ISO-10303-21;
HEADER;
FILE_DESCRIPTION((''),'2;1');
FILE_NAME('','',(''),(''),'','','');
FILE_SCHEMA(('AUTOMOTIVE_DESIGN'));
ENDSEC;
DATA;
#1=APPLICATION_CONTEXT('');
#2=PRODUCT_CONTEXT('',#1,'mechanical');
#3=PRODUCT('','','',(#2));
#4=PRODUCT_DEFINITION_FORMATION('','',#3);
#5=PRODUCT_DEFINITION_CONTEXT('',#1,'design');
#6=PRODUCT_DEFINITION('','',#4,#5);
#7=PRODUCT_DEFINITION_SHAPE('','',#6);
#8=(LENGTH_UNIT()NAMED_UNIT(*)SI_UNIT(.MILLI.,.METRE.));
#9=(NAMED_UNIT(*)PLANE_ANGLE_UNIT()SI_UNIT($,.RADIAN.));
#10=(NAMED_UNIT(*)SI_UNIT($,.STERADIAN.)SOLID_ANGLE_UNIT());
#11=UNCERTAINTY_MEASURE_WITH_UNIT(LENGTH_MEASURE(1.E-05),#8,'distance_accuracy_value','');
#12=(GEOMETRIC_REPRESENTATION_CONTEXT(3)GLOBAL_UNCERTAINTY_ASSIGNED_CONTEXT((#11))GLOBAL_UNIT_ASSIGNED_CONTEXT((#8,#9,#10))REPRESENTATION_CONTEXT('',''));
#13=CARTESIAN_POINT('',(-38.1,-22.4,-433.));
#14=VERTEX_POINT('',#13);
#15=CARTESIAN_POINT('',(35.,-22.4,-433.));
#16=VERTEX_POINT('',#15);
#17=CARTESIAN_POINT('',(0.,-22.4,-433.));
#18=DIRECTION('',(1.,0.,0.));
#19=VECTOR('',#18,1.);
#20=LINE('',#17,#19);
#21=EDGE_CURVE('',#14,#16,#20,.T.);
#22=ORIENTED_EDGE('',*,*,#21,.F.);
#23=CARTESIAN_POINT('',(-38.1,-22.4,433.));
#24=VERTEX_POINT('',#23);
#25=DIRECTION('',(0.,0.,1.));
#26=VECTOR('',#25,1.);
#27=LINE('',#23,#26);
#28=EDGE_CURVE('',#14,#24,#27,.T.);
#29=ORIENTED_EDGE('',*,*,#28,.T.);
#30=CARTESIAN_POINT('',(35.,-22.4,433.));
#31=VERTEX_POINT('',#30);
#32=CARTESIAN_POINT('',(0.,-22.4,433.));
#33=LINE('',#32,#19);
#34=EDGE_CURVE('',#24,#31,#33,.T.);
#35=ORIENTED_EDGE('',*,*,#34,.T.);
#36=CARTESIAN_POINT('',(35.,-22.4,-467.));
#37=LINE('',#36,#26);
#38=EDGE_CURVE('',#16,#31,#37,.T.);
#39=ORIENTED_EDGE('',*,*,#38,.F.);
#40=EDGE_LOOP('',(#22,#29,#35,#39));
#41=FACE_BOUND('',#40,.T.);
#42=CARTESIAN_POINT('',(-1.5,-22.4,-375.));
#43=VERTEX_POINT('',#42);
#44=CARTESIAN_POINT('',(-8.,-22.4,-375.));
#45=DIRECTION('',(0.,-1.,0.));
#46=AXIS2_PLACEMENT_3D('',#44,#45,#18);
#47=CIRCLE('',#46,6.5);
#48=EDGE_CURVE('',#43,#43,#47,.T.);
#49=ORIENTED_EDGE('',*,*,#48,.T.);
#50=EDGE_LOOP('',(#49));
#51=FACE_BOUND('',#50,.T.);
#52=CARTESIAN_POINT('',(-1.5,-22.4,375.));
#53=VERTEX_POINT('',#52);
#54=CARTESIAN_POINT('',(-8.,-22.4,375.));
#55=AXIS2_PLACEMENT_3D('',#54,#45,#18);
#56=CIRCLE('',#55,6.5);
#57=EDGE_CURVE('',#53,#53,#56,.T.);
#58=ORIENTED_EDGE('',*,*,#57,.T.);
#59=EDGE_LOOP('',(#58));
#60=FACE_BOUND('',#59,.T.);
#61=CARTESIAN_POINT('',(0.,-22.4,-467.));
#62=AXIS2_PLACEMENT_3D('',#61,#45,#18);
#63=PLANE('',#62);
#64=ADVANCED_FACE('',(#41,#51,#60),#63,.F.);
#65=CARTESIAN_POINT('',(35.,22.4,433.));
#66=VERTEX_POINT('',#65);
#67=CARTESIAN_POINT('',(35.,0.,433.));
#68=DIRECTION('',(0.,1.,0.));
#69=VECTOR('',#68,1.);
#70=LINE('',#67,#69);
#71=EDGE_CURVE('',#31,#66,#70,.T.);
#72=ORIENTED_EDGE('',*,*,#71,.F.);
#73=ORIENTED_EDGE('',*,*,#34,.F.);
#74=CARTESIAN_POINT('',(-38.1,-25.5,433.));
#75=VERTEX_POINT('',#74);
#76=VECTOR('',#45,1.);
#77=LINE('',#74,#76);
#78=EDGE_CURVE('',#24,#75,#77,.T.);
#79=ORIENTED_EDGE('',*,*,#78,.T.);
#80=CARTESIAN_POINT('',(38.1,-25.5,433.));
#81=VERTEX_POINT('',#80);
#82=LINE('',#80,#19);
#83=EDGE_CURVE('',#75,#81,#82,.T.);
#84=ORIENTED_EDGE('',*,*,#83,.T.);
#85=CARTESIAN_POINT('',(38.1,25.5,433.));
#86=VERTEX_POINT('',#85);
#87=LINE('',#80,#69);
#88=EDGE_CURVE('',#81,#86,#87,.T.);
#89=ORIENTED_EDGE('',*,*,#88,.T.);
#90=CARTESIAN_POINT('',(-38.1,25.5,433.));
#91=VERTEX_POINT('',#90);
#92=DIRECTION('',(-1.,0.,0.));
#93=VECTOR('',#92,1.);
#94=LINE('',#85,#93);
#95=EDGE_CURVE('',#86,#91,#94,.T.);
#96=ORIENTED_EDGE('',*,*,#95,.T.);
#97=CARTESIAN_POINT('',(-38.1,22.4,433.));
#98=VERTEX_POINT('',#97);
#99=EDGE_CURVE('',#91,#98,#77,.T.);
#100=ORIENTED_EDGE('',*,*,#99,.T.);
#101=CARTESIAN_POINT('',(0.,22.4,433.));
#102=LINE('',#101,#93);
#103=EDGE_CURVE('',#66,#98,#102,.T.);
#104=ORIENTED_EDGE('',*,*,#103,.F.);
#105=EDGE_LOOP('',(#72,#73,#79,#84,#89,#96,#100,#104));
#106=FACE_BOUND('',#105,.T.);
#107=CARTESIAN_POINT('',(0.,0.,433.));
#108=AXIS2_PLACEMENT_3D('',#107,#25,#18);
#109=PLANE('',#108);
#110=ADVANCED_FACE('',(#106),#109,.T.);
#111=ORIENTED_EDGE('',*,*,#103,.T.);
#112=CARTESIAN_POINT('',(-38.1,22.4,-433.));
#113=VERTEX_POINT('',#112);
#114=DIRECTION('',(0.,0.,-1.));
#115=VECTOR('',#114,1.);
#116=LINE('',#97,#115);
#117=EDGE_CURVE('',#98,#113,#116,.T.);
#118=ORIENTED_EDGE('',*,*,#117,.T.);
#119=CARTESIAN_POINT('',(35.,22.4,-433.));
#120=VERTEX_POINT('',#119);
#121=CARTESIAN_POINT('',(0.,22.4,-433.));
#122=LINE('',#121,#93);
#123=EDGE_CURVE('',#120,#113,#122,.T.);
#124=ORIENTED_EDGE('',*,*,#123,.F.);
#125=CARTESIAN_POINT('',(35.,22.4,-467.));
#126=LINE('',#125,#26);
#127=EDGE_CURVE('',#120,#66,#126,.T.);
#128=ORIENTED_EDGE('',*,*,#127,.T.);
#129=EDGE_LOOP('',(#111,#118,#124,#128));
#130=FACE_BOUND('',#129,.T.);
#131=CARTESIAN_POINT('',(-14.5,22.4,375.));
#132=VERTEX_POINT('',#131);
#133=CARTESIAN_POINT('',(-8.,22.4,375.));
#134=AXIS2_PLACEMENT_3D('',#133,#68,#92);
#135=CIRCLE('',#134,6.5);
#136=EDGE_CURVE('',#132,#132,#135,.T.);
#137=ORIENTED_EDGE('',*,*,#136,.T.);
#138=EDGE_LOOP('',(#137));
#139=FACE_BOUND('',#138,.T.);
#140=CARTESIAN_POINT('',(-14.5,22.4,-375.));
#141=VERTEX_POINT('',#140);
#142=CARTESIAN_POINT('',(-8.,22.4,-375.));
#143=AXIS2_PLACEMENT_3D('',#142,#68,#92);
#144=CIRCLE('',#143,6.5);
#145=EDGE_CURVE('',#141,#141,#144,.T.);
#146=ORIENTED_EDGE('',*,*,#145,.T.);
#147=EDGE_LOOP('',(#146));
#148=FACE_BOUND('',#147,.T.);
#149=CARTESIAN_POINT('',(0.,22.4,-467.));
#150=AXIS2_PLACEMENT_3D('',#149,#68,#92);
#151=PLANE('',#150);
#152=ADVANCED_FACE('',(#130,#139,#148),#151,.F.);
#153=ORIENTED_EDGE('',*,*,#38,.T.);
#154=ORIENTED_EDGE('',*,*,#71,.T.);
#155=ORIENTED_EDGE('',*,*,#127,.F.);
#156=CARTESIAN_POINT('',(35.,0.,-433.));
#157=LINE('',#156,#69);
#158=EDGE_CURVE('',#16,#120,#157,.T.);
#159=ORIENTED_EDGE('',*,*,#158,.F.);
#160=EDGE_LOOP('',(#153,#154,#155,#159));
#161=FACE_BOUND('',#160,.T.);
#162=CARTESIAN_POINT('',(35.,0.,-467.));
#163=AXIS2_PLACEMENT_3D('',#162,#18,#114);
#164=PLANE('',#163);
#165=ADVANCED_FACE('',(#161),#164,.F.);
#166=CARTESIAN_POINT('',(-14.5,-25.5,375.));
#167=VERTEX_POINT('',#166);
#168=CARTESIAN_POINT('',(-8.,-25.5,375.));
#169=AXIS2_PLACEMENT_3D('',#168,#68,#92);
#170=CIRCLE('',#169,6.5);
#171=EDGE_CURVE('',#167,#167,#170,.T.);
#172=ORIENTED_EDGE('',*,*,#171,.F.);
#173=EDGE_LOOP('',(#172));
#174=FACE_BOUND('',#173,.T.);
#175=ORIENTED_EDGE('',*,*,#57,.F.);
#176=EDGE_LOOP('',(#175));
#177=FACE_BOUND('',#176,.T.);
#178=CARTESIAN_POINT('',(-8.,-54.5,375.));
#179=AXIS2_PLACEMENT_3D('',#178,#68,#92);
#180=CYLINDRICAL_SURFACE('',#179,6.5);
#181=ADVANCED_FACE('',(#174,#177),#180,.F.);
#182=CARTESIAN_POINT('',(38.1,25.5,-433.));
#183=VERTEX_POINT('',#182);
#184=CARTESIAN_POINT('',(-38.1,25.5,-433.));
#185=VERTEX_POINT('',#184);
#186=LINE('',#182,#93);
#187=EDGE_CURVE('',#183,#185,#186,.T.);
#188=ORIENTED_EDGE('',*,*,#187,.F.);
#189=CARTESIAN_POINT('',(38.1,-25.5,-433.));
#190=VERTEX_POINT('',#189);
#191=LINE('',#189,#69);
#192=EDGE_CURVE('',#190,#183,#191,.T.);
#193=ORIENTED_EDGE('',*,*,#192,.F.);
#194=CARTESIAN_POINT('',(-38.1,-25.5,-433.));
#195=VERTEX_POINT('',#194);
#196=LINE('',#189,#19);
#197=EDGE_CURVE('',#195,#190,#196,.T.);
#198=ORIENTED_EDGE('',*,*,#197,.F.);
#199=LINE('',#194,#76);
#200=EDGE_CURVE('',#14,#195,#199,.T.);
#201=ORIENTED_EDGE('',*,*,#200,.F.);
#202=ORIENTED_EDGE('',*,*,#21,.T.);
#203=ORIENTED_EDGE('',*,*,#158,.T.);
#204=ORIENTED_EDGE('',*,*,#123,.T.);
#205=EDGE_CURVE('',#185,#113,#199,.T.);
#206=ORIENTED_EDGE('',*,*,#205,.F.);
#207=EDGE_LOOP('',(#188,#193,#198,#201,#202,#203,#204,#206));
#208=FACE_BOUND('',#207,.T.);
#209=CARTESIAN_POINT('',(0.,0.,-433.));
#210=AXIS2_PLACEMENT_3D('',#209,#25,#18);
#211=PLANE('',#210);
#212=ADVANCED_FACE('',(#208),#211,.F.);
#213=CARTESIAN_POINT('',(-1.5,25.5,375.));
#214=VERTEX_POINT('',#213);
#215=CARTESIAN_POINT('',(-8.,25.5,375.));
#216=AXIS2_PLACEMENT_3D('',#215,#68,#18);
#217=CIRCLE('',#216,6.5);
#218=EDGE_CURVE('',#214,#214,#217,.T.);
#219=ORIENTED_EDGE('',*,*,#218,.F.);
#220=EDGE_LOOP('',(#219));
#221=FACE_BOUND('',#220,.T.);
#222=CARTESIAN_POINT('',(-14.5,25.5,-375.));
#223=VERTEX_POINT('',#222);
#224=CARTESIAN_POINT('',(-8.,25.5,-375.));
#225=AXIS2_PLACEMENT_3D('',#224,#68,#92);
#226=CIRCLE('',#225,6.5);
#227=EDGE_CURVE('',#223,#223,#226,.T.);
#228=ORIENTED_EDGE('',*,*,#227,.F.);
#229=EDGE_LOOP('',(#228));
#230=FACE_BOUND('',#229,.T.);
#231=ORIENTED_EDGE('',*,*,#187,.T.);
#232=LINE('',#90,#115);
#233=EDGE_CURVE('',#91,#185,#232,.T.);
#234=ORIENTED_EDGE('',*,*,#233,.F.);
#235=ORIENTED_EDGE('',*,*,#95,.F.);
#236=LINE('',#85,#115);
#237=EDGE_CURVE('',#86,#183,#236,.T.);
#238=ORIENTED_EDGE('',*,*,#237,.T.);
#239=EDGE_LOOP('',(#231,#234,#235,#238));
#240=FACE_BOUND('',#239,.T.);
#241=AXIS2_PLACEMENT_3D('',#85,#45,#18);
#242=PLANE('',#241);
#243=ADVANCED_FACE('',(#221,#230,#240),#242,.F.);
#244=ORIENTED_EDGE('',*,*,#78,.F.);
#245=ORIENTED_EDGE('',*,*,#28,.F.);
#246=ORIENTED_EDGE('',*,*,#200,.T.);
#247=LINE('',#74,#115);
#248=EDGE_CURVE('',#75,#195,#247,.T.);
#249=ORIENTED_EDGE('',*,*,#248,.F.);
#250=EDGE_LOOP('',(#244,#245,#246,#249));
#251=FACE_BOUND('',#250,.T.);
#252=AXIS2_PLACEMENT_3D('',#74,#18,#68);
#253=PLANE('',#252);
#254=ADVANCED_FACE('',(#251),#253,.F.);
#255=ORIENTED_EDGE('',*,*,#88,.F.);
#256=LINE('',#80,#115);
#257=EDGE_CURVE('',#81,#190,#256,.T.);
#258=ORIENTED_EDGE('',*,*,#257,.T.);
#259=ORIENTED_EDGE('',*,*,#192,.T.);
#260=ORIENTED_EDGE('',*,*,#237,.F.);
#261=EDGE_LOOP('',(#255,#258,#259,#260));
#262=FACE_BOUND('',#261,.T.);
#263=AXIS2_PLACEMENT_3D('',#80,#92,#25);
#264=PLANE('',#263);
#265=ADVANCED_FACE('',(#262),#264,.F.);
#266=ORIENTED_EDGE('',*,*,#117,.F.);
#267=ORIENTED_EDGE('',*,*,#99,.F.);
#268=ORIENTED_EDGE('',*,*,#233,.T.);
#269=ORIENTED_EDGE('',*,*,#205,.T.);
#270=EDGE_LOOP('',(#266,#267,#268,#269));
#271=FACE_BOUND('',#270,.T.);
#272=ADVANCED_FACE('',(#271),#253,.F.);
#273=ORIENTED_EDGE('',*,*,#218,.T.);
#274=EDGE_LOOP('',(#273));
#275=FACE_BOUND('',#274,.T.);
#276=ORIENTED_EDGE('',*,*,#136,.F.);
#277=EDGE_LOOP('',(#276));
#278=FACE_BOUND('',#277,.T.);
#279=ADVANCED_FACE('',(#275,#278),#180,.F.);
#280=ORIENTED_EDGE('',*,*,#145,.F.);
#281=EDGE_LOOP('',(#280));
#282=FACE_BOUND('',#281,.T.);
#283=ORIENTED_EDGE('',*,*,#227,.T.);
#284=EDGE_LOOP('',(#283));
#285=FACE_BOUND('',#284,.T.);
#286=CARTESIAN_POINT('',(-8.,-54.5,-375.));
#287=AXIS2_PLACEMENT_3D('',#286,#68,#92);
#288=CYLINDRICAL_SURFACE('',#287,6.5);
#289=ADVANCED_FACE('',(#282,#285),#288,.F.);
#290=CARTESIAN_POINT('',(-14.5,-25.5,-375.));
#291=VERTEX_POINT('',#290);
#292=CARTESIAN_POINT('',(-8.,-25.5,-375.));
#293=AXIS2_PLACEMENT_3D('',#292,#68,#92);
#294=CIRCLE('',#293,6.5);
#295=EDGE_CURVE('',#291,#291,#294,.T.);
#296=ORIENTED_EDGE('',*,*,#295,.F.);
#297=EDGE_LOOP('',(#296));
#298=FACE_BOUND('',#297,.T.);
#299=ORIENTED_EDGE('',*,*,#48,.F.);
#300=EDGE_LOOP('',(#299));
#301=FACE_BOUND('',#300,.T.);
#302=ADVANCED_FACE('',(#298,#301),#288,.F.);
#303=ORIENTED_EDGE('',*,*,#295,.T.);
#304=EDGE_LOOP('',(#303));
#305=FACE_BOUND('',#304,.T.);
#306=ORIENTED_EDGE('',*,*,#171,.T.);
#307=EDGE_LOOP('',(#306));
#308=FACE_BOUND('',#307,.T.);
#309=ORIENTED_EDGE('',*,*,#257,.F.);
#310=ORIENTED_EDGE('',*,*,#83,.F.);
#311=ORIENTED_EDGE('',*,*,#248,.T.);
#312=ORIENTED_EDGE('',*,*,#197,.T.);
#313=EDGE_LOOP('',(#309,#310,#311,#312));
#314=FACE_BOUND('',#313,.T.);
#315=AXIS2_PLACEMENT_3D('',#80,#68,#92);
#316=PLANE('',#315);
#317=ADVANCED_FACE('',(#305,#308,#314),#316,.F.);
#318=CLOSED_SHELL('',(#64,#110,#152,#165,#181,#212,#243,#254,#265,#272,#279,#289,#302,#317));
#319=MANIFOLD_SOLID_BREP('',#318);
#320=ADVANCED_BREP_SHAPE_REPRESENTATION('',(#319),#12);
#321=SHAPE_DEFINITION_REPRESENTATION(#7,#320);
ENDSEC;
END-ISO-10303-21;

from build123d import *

# Parameters (mm, degrees)
CROQUIS2_W              = 76.2
CROQUIS2_H              = 51
SALIENTE_EXTRUIR1_DEPTH = 433
CROQUIS6_W              = 70
CROQUIS6_H              = 44.8
CORTAR_EXTRUIR1_DEPTH   = 900
CROQUIS7_W              = 866
CROQUIS7_H              = 44.8
CORTAR_EXTRUIR2_DEPTH   = 20
CROQUIS8_R              = 6.5
CORTAR_EXTRUIR3_DEPTH   = 80


with BuildPart() as part:
    # Croquis2 → Saliente-Extruir1 (new, symmetric)
    with BuildSketch(Plane.XY):
        Rectangle(CROQUIS2_W, CROQUIS2_H)
    extrude(amount=SALIENTE_EXTRUIR1_DEPTH, both=True)

    # Croquis6 → Cortar-Extruir1 (cut)
    with BuildSketch(Plane.XY.offset(433)):
        Rectangle(CROQUIS6_W, CROQUIS6_H)
    extrude(amount=-CORTAR_EXTRUIR1_DEPTH, mode=Mode.SUBTRACT)

    # Croquis7 → Cortar-Extruir2 (cut)
    with BuildSketch(Plane.ZY.offset(38.1)):
        Rectangle(CROQUIS7_W, CROQUIS7_H)
    extrude(amount=-CORTAR_EXTRUIR2_DEPTH, mode=Mode.SUBTRACT)

    # Croquis8 → Cortar-Extruir3 (cut)
    with BuildSketch(Plane(origin=(0, 25.5, 0), x_dir=(1, 0, 0), z_dir=(0, 1, 0))):
        with Locations(Location((-8, 375, 0), (0, 0, 180))):
            Circle(CROQUIS8_R)
        with Locations(Location((-8, -375, 0), (0, 0, 180))):
            Circle(CROQUIS8_R)
    extrude(amount=-CORTAR_EXTRUIR3_DEPTH, mode=Mode.SUBTRACT)


solid = part.part
